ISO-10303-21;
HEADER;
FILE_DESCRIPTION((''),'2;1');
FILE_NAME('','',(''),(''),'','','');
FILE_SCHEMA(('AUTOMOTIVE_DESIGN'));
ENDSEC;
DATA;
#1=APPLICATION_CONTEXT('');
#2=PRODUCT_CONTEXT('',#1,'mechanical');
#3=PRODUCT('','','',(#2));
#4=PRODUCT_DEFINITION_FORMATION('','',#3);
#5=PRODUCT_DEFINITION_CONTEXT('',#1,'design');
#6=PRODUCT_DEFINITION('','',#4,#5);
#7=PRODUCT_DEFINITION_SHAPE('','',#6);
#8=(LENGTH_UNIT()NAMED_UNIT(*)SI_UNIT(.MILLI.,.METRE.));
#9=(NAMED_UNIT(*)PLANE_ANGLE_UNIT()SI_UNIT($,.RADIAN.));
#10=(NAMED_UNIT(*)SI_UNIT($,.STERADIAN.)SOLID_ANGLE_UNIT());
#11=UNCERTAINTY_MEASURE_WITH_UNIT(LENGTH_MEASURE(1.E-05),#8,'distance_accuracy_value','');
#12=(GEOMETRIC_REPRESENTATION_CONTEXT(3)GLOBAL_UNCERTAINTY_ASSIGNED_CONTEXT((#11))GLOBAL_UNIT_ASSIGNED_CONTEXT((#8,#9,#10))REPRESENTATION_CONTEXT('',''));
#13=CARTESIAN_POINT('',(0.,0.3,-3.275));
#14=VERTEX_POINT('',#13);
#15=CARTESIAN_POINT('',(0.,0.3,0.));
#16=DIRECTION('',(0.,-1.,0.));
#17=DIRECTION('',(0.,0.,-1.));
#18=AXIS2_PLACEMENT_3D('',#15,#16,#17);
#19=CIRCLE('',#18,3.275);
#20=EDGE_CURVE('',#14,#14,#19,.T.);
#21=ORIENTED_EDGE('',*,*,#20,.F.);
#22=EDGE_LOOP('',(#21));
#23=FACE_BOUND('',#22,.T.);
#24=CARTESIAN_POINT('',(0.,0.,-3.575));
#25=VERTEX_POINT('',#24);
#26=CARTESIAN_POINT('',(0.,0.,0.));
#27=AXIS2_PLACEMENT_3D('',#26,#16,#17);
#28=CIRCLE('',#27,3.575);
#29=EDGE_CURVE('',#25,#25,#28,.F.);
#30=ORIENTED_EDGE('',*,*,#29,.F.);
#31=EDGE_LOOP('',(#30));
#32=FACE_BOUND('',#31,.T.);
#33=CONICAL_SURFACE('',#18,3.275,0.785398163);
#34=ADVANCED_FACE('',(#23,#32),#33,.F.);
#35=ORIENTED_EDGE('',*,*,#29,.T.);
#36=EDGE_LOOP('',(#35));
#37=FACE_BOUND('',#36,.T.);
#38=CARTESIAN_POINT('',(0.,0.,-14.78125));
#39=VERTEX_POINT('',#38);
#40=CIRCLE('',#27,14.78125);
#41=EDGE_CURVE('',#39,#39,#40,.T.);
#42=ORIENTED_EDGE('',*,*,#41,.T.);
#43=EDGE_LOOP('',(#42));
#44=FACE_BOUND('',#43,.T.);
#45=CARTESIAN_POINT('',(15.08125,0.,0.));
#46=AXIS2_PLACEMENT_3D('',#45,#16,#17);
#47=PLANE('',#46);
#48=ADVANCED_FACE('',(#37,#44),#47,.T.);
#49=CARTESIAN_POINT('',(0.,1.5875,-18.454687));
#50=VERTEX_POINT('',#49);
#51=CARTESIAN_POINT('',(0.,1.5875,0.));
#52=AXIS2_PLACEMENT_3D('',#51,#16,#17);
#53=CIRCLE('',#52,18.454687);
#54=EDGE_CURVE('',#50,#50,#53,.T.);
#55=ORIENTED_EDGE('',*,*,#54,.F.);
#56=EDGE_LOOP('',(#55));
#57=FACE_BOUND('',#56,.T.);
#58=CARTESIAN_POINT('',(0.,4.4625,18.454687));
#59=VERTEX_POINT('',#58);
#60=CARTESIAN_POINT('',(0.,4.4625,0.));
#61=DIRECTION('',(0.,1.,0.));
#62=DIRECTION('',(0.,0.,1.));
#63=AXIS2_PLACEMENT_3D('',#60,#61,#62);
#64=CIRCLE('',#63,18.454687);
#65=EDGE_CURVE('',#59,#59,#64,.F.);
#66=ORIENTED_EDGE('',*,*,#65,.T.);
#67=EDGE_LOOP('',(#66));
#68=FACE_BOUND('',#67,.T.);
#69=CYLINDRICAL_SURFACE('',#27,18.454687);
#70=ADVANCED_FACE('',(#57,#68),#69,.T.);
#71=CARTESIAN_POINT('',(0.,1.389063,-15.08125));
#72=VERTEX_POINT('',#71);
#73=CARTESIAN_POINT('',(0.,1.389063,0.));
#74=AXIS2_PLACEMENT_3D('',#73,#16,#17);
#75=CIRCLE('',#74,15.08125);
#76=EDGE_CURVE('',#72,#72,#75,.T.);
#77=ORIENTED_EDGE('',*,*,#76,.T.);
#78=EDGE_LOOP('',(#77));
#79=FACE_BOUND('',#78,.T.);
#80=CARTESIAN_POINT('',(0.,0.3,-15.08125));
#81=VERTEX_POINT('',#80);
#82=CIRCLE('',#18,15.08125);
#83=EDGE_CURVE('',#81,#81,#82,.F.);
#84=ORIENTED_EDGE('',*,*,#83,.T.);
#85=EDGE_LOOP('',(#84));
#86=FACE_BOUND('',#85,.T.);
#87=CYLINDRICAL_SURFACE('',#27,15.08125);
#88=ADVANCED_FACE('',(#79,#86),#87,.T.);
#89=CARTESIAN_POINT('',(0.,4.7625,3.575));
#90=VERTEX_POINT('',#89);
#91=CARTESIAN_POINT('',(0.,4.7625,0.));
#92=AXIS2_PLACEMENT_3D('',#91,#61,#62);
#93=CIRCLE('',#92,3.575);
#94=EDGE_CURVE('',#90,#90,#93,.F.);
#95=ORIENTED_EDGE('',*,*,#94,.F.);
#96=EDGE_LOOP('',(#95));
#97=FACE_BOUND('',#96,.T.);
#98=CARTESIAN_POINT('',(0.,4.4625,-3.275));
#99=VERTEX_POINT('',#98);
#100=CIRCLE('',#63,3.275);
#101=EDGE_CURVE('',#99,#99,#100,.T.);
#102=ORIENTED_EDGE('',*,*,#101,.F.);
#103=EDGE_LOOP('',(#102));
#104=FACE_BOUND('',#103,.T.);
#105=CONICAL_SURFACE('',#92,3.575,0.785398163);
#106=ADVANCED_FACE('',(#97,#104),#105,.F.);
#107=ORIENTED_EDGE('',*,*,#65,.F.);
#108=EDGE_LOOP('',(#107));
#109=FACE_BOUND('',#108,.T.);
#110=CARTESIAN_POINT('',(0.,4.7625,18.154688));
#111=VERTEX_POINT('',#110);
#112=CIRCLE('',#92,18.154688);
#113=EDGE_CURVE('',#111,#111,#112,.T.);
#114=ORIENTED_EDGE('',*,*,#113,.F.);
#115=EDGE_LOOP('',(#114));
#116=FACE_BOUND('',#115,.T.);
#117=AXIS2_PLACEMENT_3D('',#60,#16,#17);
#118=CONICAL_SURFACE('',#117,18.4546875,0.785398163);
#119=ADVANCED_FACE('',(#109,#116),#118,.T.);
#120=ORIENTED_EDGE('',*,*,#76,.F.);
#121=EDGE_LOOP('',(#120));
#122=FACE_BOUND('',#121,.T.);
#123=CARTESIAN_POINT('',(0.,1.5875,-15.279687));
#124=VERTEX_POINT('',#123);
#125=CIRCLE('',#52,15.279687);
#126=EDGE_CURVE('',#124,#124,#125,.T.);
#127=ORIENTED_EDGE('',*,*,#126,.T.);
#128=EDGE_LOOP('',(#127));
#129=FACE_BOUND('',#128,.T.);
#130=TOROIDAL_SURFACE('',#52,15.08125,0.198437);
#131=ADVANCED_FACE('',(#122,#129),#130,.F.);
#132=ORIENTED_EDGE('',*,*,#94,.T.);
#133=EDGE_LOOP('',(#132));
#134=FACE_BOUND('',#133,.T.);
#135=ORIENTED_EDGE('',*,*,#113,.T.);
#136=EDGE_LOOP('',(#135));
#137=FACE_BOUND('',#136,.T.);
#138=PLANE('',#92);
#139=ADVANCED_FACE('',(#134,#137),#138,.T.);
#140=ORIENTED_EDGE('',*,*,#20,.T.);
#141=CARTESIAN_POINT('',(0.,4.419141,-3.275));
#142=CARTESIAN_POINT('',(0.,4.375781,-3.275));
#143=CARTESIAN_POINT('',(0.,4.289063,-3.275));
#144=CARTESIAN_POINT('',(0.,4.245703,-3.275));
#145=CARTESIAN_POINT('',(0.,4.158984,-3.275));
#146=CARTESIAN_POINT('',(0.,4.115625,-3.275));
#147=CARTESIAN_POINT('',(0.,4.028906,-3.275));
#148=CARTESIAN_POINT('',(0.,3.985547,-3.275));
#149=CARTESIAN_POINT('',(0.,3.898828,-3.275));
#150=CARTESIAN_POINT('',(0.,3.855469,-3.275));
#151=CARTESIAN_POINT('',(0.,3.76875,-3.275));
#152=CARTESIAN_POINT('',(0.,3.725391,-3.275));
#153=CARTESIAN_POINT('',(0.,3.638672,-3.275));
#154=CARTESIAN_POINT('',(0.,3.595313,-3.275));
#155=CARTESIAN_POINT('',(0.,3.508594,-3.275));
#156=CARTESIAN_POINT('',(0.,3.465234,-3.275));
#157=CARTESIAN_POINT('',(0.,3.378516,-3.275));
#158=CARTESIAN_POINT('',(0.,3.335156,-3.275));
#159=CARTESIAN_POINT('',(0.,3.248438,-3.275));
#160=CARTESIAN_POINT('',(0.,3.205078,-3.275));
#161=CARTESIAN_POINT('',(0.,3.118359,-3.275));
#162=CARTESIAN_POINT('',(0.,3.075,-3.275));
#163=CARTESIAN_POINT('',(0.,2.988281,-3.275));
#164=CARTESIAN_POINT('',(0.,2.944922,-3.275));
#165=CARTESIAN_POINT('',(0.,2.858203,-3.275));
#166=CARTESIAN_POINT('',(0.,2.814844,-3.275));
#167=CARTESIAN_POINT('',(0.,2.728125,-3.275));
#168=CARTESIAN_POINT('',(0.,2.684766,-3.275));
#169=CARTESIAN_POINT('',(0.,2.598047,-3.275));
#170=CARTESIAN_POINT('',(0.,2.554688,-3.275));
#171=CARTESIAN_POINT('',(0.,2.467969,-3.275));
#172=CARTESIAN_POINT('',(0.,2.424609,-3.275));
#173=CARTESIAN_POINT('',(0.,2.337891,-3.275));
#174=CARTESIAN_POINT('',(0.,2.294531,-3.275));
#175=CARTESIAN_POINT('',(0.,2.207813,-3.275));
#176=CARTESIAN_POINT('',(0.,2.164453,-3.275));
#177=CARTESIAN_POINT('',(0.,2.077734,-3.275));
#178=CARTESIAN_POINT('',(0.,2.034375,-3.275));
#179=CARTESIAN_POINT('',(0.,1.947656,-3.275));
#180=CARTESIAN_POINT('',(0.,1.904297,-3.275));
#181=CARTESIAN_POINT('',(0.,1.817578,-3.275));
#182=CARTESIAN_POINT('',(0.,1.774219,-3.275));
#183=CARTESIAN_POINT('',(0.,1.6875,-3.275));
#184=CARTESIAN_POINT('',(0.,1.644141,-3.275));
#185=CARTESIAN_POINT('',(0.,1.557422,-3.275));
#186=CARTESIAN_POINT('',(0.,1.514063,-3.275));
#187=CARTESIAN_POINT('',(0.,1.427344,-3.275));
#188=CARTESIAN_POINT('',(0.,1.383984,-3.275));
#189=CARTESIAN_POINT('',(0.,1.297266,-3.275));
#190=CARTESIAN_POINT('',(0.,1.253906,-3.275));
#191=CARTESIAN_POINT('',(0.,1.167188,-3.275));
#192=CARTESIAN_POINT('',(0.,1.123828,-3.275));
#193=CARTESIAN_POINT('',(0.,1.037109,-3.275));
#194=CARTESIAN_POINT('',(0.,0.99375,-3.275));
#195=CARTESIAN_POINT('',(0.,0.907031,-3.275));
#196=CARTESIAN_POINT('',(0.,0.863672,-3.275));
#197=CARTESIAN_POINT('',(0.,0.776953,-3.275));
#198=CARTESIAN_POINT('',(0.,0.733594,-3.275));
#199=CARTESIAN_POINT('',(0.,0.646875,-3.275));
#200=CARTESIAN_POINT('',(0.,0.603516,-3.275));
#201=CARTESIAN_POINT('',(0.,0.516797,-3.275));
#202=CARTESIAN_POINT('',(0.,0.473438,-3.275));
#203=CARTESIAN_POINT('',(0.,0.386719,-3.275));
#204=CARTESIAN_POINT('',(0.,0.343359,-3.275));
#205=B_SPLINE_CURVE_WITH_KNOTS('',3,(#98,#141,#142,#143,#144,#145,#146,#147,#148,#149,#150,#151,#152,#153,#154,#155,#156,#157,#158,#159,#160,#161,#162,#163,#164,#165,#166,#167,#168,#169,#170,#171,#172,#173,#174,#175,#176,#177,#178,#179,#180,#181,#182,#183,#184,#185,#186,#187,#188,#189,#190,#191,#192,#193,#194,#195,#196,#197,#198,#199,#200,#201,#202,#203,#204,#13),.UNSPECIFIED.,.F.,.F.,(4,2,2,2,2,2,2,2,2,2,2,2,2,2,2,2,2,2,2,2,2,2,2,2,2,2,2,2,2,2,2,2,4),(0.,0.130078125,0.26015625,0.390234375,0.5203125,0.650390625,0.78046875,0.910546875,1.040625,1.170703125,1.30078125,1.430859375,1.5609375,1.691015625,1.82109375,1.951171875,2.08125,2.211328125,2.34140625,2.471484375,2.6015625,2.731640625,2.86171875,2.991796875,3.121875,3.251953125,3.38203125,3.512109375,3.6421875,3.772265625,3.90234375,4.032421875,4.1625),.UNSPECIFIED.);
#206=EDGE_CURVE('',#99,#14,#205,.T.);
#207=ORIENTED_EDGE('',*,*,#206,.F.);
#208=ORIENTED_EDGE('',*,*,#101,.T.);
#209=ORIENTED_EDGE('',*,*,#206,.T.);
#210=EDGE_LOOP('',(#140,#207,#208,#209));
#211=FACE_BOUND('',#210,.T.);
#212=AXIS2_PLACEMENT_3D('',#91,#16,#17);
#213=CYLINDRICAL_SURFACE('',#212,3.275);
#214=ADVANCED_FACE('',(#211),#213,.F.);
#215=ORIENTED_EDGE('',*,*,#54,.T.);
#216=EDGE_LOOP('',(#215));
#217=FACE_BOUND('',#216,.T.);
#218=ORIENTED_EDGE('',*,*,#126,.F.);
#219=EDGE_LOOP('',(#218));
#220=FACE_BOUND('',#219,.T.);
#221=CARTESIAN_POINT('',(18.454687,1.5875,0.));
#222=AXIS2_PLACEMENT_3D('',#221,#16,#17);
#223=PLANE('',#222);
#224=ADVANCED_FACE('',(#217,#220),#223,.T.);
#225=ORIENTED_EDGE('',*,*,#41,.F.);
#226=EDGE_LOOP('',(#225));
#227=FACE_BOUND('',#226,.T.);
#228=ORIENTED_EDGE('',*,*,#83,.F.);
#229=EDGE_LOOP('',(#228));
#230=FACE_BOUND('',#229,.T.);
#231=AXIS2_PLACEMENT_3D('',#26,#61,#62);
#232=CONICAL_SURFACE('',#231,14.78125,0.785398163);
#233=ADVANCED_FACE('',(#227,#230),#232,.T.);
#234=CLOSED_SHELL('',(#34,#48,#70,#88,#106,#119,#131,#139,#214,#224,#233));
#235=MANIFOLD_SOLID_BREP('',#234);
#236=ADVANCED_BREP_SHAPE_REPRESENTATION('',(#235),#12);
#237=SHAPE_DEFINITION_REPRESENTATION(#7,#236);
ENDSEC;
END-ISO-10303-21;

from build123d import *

# Parameters (mm, degrees)
SKETCH3_R          = 3.275
CUT_EXTRUDE1_DEPTH = 27.529839572
CHAMFER1_SIZE      = 0.3


with BuildPart() as part:
    # Sketch2 → Revolve1 (revolve)
    with BuildSketch(Plane.XY, mode=Mode.PRIVATE) as revolve1_sk:
        with BuildLine():
            Line((0, 0), (0, 4.7625))
            Line((0, 4.7625), (18.4546875, 4.7625))
            Line((18.4546875, 4.7625), (18.4546875, 1.5875))
            Line((18.4546875, 1.5875), (15.2796875, 1.5875))
            ThreePointArc((15.2796875, 1.5875), (14.940933498, 1.727816502), (15.08125, 1.3890625))
            Line((15.08125, 1.3890625), (15.08125, 0))
            Line((15.08125, 0), (0, 0))
        make_face()
    revolve(revolve1_sk.sketch.rotate(Axis((0, 0, 0), (0, 1, 0)), 90), axis=Axis((0, 0, 0), (0, 1, 0)))

    # Sketch3 → Cut-Extrude1 (cut, through all)
    with BuildSketch(Plane(origin=(0, 0, 0), x_dir=(-1, 0, 0), z_dir=(0, -1, 0))):
        with Locations(Location((0, 0, 0), (0, 0, 90))):
            Circle(SKETCH3_R)
    extrude(amount=-CUT_EXTRUDE1_DEPTH, mode=Mode.SUBTRACT)

    # Chamfer1
    chamfer1_edges = [part.edges().sort_by_distance(p)[0] for p in [
        (0, 4.7625, 3.275),
        (0, 0, 3.275),
        (0, 4.7625, 18.4546875),
        (0, 0, 15.08125),
    ]]
    chamfer(chamfer1_edges, length=CHAMFER1_SIZE)


solid = part.part
